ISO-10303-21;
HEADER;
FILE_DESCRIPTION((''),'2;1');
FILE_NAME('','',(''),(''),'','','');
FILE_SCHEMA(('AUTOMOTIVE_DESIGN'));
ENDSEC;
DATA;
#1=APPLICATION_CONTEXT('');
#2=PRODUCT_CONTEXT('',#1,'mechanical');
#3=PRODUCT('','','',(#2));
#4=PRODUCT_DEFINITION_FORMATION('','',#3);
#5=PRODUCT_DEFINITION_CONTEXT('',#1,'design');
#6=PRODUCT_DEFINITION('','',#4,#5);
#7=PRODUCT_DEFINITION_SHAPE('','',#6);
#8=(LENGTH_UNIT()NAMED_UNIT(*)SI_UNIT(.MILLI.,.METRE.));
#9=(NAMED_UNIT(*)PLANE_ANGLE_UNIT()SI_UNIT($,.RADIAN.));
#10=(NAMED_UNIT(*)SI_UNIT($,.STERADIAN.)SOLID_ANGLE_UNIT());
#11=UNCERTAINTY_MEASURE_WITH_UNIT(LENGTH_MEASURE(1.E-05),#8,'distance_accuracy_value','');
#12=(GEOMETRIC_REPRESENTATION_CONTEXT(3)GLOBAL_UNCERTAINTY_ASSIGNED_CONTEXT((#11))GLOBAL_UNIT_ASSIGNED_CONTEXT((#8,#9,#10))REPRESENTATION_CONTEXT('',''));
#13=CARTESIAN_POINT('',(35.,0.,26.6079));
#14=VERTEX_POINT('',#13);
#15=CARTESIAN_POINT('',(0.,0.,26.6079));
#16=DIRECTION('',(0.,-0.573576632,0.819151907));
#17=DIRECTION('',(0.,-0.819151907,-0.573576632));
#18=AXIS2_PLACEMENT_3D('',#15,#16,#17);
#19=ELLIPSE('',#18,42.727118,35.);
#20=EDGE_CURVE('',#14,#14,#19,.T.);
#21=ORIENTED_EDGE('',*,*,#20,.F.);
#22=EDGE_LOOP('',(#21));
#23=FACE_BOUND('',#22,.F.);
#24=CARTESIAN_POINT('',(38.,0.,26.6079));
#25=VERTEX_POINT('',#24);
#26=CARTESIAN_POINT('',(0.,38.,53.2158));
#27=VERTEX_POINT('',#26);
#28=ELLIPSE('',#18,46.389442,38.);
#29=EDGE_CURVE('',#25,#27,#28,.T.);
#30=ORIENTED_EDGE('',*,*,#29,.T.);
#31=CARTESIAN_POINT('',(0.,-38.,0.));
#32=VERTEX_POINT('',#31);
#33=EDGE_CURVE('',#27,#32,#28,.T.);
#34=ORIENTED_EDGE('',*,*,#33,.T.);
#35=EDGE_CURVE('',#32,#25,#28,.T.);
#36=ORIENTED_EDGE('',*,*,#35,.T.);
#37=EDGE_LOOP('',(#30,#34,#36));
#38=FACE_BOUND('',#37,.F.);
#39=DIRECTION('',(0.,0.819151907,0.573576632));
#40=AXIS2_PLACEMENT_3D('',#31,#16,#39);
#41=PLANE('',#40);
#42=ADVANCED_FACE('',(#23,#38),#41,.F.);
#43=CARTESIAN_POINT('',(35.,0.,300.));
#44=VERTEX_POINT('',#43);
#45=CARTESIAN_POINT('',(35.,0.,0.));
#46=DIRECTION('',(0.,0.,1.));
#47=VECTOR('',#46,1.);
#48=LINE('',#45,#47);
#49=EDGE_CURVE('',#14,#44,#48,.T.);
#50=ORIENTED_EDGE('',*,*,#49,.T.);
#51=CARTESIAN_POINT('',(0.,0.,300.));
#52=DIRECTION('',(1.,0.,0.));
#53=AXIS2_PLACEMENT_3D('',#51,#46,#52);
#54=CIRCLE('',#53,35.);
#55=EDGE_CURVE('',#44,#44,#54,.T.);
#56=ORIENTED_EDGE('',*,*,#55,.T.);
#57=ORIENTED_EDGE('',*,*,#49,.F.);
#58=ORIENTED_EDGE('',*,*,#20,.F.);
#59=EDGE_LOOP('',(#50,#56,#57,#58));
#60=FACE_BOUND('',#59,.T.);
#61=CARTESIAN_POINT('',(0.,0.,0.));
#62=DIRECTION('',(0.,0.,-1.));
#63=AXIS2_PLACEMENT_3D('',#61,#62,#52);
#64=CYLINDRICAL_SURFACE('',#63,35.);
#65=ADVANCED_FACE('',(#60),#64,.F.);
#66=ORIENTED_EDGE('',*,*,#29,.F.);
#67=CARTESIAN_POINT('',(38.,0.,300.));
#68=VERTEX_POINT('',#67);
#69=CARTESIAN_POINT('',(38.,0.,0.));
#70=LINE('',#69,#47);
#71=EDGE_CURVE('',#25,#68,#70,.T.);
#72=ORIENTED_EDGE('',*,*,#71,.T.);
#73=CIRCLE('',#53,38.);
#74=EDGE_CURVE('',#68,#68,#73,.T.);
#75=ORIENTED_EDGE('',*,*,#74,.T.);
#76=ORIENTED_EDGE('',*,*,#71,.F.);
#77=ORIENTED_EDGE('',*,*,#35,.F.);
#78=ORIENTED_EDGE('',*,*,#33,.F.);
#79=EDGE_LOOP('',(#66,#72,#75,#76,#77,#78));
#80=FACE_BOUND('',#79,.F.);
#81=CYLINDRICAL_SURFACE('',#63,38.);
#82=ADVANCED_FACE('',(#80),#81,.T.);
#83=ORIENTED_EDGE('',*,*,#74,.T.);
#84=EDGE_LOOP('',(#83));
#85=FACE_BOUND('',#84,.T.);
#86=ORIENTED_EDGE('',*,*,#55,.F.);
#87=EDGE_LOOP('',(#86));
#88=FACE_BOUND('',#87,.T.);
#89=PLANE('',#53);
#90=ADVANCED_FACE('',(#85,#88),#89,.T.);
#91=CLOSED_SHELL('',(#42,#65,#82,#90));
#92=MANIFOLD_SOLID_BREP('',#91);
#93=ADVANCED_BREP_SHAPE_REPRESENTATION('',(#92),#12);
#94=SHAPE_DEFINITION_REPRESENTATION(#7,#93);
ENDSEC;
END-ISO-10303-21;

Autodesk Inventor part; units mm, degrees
ref_plane "YZ Plane" through (0, 0, 0) normal (1, 0, 0) x (0, 1, 0)
ref_plane "XZ Plane" through (0, 0, 0) normal (0, 1, 0) x (-1, 0, 0)
ref_plane "XY Plane" through (0, 0, 0) normal (0, 0, 1) x (1, 0, 0)
sketch "Sketch1" plane through (0, 0, 0) normal (0, 0, 1) x (1, 0, 0)
  circle A0 centre (0, 0) radius 38
  circle A1 centre (0, 0) radius 35
  dimension "d0" = 76
  dimension "d1" = 3
extrude "Extrusion1" add sketch "Sketch1" along normal blind 300
sketch "Sketch2" plane through (0, 0, 0) normal (1, 0, 0) x (0, 1, 0)
  line L0 (38, 300) -> (-38, 300) projected
  line L1 (38, 0) -> (-38, 0) projected
  line L2 (-38, 0) -> (38, 53.2158)
  line L3 (38, 53.2158) -> (38, 0)
  line L4 (38, 0) -> (38, 300) projected
  line L5 (38, 0) -> (-38, 0)
  line L6 (-38, 0) -> (-38, -246.7842)
  line L7 (-38, -246.7842) -> (38, -246.7842)
  line L8 (38, -246.7842) -> (38, 0)
  point P0 (0, 0)
  dimension "d4" = 35
  dimension "d7" = 246.7842
  dimension "d8" = 300
  dimension "d9" = 300
  dimension "d10" = 546.7842
extrude "Extrusion2" cut sketch "Sketch2" along normal mid plane 300 contours L1 L2 L3
properties part number "MSC 068 rocket tube 8" material "Stainless Steel"
